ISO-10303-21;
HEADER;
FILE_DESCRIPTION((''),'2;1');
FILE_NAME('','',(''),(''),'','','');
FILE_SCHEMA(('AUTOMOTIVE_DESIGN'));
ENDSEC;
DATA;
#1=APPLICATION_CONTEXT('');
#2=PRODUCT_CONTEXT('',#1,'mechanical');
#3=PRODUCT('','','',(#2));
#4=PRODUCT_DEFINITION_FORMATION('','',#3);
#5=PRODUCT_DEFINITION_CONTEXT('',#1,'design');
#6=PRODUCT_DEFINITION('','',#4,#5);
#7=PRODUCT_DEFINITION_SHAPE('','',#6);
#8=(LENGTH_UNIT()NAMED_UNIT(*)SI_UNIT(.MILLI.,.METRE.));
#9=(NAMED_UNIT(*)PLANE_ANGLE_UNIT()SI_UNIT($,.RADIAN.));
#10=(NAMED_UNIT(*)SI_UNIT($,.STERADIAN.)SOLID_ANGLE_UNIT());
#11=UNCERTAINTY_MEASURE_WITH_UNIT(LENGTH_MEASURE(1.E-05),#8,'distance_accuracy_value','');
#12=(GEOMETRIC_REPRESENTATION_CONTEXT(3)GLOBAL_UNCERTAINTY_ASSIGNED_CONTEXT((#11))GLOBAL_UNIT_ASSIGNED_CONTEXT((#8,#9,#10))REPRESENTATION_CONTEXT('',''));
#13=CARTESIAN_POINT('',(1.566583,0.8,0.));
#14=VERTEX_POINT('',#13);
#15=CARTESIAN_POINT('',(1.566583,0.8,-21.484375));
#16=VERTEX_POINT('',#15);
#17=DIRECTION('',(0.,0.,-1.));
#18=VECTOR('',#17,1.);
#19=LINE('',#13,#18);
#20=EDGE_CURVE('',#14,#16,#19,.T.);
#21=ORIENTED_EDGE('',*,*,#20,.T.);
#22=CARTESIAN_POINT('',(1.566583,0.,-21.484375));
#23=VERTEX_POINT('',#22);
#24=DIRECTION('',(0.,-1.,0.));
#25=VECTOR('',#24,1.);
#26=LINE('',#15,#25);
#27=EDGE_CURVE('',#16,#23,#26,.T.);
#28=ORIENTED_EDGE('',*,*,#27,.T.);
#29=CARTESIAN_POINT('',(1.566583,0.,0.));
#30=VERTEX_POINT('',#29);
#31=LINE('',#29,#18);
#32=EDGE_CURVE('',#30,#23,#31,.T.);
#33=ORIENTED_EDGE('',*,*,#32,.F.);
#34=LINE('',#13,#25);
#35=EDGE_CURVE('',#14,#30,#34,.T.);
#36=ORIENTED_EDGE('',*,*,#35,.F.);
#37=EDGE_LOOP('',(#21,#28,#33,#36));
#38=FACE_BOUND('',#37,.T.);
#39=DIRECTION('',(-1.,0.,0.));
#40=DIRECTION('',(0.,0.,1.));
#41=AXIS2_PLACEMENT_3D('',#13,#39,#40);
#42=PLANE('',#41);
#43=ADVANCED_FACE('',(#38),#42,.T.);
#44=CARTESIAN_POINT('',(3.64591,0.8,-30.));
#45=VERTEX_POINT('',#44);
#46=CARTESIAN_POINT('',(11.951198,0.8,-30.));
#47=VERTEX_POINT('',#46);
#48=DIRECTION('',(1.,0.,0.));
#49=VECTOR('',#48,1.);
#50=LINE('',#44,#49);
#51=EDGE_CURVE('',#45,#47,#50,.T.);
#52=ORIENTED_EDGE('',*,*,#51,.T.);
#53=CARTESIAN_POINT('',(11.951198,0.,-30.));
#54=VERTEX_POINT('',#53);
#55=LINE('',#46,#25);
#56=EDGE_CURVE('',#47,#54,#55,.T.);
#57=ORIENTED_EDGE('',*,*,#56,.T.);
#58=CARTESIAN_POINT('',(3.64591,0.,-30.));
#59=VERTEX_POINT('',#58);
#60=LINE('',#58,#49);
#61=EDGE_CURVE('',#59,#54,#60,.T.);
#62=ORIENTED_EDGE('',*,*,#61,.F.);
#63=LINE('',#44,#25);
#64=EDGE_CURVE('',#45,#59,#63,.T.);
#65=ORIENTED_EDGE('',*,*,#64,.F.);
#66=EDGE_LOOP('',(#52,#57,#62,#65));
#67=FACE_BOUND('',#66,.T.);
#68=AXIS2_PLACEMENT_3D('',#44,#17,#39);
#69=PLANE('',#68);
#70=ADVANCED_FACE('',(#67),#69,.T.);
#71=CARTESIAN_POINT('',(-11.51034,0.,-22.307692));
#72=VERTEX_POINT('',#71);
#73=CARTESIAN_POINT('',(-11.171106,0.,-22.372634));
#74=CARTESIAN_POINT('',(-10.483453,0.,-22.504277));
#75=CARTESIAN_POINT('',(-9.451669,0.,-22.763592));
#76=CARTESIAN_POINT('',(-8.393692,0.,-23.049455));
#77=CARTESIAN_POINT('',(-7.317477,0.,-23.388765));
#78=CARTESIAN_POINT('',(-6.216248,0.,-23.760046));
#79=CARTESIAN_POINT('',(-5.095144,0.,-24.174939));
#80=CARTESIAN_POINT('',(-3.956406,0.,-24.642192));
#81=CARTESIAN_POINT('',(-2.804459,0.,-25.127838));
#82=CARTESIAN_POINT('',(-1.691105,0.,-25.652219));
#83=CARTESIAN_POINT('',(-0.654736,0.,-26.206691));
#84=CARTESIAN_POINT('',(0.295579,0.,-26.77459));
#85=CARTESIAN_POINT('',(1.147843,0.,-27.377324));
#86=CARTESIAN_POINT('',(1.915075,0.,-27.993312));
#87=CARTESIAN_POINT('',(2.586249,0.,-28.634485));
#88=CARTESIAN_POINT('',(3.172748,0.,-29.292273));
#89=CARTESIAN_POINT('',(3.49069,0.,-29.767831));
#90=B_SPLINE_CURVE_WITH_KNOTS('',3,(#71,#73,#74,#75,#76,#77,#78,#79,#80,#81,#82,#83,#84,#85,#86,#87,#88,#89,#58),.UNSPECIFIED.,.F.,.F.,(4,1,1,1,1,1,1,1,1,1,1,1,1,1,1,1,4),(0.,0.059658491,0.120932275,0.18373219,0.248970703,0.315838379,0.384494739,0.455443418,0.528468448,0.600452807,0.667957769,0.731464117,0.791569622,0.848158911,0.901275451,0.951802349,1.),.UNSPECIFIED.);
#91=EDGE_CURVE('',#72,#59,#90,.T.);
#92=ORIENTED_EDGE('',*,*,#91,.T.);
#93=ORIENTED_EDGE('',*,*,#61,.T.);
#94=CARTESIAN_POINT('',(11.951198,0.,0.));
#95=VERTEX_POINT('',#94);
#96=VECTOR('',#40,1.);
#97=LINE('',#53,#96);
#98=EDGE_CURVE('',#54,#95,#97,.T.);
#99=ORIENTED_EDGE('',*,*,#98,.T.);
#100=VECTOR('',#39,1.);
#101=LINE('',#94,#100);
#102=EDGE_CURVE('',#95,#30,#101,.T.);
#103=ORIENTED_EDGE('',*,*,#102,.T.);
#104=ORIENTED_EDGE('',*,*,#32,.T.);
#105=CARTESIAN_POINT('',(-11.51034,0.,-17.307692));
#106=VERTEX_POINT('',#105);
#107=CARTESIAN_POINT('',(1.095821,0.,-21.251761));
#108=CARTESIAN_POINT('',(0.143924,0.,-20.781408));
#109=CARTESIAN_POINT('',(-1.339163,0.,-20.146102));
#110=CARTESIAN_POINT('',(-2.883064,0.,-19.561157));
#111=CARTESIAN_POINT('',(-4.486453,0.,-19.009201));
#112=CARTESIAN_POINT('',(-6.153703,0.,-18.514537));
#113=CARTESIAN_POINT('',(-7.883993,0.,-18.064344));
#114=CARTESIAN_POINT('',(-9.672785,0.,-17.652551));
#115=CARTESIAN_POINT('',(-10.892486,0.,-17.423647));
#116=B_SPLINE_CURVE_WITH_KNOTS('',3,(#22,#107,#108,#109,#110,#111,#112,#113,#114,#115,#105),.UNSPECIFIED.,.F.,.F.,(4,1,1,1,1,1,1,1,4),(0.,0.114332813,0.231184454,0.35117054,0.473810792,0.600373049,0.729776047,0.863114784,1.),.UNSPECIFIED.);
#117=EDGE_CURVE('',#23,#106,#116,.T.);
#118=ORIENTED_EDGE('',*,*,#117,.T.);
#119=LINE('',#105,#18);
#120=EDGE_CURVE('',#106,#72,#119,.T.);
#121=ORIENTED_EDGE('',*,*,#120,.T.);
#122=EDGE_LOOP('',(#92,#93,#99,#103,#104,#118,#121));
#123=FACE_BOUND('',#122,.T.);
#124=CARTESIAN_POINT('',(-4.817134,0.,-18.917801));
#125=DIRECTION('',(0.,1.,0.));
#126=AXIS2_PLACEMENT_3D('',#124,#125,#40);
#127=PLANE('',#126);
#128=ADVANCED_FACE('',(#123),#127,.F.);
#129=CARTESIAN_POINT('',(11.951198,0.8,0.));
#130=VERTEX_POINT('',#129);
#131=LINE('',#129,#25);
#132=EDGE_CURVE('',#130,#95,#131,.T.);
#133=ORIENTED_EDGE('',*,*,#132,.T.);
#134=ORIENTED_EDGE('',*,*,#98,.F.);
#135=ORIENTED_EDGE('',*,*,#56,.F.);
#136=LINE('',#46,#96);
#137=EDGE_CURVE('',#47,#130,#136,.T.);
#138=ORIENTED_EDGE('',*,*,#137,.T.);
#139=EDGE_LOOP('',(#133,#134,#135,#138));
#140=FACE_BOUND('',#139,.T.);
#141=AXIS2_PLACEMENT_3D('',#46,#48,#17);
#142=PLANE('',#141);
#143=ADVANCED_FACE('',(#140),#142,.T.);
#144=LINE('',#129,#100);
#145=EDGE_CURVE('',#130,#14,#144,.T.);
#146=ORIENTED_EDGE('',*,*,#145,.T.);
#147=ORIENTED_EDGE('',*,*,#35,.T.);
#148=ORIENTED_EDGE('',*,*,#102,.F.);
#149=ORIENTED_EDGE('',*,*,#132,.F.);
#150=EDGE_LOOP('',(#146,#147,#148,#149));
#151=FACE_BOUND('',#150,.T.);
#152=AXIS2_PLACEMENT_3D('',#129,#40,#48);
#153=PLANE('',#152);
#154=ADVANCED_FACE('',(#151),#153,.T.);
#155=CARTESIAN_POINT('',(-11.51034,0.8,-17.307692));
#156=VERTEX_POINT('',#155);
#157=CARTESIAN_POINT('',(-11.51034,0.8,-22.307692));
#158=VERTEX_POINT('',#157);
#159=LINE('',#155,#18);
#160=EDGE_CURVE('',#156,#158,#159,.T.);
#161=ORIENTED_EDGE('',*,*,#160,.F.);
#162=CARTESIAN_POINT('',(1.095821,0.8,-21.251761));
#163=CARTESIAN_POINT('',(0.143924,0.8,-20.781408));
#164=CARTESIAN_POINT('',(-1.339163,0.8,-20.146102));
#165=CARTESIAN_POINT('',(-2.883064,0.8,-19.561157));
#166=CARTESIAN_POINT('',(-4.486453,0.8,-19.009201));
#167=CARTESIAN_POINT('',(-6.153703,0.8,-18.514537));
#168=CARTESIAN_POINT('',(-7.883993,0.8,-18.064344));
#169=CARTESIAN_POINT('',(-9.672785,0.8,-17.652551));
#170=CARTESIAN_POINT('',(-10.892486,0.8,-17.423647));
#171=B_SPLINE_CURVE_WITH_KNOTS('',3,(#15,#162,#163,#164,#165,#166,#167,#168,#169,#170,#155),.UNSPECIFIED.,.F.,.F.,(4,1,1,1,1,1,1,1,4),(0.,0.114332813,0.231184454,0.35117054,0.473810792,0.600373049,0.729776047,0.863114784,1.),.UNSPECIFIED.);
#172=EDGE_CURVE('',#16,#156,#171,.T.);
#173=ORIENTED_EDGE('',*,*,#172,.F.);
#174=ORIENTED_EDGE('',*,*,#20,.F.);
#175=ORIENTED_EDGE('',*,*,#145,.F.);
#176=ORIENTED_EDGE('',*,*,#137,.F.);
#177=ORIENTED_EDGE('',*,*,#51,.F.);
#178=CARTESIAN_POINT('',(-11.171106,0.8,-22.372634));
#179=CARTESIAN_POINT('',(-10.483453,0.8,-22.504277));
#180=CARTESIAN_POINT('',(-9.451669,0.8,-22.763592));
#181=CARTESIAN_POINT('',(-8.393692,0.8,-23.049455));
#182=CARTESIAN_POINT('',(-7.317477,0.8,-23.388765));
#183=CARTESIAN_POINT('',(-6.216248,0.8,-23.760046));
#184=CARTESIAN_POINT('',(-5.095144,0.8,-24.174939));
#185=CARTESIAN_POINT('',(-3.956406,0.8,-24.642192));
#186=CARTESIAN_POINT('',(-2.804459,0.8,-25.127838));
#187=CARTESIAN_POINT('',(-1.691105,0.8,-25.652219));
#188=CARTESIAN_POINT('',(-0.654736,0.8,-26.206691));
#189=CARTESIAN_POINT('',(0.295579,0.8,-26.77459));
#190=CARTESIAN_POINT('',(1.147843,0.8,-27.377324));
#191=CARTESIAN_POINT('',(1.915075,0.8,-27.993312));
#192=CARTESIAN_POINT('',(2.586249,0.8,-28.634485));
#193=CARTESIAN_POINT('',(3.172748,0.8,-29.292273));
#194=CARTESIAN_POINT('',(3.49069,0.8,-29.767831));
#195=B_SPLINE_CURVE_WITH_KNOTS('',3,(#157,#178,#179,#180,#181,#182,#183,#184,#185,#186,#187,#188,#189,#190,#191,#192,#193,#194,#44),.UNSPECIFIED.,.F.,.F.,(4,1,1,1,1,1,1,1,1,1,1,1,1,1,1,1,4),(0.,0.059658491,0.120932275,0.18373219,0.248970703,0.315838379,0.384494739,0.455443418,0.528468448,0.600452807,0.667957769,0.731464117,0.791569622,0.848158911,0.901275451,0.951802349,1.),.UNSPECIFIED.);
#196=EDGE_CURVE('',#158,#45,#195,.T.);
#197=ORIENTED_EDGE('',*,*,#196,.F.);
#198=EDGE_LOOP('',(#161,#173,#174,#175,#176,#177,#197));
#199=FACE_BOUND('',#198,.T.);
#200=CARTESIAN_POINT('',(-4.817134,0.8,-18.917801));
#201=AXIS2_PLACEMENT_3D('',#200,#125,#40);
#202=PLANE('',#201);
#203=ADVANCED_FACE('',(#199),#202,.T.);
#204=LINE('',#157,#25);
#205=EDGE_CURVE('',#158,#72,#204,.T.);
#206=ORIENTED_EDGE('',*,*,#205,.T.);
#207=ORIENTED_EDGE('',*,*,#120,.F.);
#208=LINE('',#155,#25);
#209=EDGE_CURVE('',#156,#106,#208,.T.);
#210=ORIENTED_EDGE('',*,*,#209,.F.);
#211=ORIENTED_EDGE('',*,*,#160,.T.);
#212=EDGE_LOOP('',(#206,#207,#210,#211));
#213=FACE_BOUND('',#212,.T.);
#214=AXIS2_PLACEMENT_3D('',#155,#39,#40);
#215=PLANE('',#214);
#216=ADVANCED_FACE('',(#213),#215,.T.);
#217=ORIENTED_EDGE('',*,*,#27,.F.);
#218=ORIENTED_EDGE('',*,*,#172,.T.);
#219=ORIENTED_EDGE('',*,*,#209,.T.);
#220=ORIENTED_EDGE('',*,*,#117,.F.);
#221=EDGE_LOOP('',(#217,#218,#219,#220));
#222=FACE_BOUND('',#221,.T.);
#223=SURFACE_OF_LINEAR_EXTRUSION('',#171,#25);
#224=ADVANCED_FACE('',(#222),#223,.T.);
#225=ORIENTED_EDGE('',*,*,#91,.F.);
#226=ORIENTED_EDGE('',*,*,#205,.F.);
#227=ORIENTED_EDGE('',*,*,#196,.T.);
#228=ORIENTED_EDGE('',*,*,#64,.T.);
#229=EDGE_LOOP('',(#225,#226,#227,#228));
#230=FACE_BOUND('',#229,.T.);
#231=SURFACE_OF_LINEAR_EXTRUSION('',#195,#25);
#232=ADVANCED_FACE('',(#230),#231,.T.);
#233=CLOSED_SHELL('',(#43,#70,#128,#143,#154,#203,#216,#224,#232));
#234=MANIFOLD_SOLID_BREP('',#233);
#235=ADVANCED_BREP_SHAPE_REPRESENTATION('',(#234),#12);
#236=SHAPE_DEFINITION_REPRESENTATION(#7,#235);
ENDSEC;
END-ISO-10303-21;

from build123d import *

# Parameters (mm, degrees)
SALIENTE_EXTRUIR1_DEPTH = 0.8


with BuildPart() as part:
    # Croquis1 → Saliente-Extruir1 (new body)
    with BuildSketch(Plane(origin=(0, 0, 0), x_dir=(1, 0, 0), z_dir=(0, 1, 0))):
        with BuildLine():
            Line((11.951198341, 0), (1.566582957, 0))
            Line((1.566582957, 0), (1.566582957, 21.484375))
            add(Edge.make_bspline(
                [(1.566582957, 21.484375), (1.095820528, 21.251760804), (0.143924465, 20.781407768), (-1.339162826, 20.146101999), (-2.883063991, 19.561156582), (-4.486453246, 19.009201316), (-6.153702842, 18.514537388), (-7.88399318, 18.064343747), (-9.672785077, 17.652551437), (-10.892485897, 17.42364675), (-11.51034012, 17.307692308)],
                knots=[0, 0, 0, 0, 0.914662506, 1.849475632, 2.80936432, 3.790486333, 4.802984391, 5.838208378, 6.90491827, 8, 8, 8, 8], degree=3))
            Line((-11.51034012, 17.307692308), (-11.51034012, 22.307692308))
            add(Edge.make_bspline(
                [(-11.51034012, 22.307692308), (-11.171106186, 22.372634387), (-10.483453335, 22.504276895), (-9.451668755, 22.763592481), (-8.39369247, 23.049455415), (-7.317476662, 23.388764811), (-6.216247699, 23.760045556), (-5.09514427, 24.174939392), (-3.956405837, 24.642192089), (-2.804458982, 25.127837698), (-1.691104507, 25.65221946), (-0.654736292, 26.206690566), (0.295578873, 26.774589611), (1.147842659, 27.377323684), (1.915075329, 27.993311535), (2.586248834, 28.63448494), (3.172747888, 29.2922732), (3.490689658, 29.767831075), (3.64590988, 30)],
                knots=[0, 0, 0, 0, 0.954535859, 1.934916405, 2.939715041, 3.983531249, 5.053414062, 6.151915828, 7.287094686, 8.455495175, 9.607244907, 10.687324305, 11.703425869, 12.665113946, 13.570542581, 14.420407214, 15.228837587, 16, 16, 16, 16], degree=3))
            Line((3.64590988, 30), (11.951198341, 30))
            Line((11.951198341, 30), (11.951198341, 0))
        make_face()
    extrude(amount=SALIENTE_EXTRUIR1_DEPTH)


solid = part.part
